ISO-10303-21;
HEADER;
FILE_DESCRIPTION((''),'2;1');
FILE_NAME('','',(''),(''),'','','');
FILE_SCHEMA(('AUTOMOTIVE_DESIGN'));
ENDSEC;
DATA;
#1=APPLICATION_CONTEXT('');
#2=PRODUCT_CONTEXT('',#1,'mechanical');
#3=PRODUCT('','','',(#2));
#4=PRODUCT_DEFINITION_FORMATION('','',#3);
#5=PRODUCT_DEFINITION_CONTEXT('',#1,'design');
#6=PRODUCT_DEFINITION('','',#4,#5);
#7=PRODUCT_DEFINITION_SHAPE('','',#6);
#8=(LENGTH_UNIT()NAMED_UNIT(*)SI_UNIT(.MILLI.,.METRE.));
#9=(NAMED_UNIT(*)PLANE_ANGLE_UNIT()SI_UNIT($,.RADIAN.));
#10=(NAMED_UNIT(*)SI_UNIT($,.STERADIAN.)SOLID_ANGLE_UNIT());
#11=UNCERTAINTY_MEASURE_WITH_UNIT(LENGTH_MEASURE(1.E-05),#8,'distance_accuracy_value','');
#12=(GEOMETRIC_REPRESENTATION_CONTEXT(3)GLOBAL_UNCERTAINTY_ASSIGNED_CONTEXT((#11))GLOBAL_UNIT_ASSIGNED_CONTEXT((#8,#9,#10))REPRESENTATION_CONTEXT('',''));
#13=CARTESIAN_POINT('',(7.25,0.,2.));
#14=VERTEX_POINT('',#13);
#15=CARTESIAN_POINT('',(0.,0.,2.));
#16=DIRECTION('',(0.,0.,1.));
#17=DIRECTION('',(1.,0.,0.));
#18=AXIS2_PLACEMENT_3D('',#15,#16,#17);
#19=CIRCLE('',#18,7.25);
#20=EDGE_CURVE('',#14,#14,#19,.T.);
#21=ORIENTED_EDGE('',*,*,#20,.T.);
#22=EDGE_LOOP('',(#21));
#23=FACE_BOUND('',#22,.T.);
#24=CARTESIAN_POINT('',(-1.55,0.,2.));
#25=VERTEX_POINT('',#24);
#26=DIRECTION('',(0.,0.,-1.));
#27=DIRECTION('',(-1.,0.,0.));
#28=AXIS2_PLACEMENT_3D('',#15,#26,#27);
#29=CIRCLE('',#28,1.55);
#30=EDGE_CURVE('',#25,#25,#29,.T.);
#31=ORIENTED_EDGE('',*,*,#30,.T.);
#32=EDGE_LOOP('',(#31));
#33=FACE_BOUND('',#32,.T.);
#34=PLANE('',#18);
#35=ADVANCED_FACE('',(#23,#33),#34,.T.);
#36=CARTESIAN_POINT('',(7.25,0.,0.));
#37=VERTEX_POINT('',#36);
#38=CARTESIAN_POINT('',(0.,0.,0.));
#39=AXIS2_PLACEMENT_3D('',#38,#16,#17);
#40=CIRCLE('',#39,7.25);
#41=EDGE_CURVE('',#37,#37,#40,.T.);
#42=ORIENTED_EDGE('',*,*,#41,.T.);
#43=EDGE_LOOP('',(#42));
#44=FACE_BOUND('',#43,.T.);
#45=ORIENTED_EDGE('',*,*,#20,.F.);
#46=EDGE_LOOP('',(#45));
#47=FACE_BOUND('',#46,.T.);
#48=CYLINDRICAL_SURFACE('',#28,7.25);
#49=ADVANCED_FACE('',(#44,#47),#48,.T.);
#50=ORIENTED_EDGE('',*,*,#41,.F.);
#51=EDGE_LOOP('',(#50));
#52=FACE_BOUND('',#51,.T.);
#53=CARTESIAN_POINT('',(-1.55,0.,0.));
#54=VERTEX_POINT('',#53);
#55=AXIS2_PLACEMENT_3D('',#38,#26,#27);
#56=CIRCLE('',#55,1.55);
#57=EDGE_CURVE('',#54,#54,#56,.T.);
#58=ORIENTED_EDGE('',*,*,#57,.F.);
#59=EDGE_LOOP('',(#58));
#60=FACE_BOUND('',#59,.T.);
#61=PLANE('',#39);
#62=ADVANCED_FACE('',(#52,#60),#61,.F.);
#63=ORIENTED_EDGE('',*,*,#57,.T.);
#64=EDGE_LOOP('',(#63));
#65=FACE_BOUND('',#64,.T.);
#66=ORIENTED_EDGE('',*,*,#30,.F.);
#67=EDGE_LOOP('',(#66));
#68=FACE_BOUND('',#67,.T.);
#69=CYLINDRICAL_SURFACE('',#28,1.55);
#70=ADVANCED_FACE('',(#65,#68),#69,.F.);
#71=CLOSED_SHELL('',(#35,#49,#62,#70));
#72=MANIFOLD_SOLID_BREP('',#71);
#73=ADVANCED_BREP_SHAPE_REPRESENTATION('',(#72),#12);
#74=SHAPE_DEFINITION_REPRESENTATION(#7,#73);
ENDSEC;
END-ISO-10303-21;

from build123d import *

# Parameters (mm, degrees)
SKETCH1_R           = 7.25
BOSS_EXTRUDE1_DEPTH = 2
SKETCH2_R           = 1.55
CUT_EXTRUDE1_DEPTH  = 2


with BuildPart() as part:
    # Sketch1 → Boss-Extrude1 (new body)
    with BuildSketch(Plane.XY):
        Circle(SKETCH1_R)
    extrude(amount=BOSS_EXTRUDE1_DEPTH)

    # Sketch2 → Cut-Extrude1 (cut)
    with BuildSketch(Plane(origin=(0, 0, 0), x_dir=(-1, 0, 0), z_dir=(0, 0, -1))):
        Circle(SKETCH2_R)
    extrude(amount=-CUT_EXTRUDE1_DEPTH, mode=Mode.SUBTRACT)


solid = part.part
